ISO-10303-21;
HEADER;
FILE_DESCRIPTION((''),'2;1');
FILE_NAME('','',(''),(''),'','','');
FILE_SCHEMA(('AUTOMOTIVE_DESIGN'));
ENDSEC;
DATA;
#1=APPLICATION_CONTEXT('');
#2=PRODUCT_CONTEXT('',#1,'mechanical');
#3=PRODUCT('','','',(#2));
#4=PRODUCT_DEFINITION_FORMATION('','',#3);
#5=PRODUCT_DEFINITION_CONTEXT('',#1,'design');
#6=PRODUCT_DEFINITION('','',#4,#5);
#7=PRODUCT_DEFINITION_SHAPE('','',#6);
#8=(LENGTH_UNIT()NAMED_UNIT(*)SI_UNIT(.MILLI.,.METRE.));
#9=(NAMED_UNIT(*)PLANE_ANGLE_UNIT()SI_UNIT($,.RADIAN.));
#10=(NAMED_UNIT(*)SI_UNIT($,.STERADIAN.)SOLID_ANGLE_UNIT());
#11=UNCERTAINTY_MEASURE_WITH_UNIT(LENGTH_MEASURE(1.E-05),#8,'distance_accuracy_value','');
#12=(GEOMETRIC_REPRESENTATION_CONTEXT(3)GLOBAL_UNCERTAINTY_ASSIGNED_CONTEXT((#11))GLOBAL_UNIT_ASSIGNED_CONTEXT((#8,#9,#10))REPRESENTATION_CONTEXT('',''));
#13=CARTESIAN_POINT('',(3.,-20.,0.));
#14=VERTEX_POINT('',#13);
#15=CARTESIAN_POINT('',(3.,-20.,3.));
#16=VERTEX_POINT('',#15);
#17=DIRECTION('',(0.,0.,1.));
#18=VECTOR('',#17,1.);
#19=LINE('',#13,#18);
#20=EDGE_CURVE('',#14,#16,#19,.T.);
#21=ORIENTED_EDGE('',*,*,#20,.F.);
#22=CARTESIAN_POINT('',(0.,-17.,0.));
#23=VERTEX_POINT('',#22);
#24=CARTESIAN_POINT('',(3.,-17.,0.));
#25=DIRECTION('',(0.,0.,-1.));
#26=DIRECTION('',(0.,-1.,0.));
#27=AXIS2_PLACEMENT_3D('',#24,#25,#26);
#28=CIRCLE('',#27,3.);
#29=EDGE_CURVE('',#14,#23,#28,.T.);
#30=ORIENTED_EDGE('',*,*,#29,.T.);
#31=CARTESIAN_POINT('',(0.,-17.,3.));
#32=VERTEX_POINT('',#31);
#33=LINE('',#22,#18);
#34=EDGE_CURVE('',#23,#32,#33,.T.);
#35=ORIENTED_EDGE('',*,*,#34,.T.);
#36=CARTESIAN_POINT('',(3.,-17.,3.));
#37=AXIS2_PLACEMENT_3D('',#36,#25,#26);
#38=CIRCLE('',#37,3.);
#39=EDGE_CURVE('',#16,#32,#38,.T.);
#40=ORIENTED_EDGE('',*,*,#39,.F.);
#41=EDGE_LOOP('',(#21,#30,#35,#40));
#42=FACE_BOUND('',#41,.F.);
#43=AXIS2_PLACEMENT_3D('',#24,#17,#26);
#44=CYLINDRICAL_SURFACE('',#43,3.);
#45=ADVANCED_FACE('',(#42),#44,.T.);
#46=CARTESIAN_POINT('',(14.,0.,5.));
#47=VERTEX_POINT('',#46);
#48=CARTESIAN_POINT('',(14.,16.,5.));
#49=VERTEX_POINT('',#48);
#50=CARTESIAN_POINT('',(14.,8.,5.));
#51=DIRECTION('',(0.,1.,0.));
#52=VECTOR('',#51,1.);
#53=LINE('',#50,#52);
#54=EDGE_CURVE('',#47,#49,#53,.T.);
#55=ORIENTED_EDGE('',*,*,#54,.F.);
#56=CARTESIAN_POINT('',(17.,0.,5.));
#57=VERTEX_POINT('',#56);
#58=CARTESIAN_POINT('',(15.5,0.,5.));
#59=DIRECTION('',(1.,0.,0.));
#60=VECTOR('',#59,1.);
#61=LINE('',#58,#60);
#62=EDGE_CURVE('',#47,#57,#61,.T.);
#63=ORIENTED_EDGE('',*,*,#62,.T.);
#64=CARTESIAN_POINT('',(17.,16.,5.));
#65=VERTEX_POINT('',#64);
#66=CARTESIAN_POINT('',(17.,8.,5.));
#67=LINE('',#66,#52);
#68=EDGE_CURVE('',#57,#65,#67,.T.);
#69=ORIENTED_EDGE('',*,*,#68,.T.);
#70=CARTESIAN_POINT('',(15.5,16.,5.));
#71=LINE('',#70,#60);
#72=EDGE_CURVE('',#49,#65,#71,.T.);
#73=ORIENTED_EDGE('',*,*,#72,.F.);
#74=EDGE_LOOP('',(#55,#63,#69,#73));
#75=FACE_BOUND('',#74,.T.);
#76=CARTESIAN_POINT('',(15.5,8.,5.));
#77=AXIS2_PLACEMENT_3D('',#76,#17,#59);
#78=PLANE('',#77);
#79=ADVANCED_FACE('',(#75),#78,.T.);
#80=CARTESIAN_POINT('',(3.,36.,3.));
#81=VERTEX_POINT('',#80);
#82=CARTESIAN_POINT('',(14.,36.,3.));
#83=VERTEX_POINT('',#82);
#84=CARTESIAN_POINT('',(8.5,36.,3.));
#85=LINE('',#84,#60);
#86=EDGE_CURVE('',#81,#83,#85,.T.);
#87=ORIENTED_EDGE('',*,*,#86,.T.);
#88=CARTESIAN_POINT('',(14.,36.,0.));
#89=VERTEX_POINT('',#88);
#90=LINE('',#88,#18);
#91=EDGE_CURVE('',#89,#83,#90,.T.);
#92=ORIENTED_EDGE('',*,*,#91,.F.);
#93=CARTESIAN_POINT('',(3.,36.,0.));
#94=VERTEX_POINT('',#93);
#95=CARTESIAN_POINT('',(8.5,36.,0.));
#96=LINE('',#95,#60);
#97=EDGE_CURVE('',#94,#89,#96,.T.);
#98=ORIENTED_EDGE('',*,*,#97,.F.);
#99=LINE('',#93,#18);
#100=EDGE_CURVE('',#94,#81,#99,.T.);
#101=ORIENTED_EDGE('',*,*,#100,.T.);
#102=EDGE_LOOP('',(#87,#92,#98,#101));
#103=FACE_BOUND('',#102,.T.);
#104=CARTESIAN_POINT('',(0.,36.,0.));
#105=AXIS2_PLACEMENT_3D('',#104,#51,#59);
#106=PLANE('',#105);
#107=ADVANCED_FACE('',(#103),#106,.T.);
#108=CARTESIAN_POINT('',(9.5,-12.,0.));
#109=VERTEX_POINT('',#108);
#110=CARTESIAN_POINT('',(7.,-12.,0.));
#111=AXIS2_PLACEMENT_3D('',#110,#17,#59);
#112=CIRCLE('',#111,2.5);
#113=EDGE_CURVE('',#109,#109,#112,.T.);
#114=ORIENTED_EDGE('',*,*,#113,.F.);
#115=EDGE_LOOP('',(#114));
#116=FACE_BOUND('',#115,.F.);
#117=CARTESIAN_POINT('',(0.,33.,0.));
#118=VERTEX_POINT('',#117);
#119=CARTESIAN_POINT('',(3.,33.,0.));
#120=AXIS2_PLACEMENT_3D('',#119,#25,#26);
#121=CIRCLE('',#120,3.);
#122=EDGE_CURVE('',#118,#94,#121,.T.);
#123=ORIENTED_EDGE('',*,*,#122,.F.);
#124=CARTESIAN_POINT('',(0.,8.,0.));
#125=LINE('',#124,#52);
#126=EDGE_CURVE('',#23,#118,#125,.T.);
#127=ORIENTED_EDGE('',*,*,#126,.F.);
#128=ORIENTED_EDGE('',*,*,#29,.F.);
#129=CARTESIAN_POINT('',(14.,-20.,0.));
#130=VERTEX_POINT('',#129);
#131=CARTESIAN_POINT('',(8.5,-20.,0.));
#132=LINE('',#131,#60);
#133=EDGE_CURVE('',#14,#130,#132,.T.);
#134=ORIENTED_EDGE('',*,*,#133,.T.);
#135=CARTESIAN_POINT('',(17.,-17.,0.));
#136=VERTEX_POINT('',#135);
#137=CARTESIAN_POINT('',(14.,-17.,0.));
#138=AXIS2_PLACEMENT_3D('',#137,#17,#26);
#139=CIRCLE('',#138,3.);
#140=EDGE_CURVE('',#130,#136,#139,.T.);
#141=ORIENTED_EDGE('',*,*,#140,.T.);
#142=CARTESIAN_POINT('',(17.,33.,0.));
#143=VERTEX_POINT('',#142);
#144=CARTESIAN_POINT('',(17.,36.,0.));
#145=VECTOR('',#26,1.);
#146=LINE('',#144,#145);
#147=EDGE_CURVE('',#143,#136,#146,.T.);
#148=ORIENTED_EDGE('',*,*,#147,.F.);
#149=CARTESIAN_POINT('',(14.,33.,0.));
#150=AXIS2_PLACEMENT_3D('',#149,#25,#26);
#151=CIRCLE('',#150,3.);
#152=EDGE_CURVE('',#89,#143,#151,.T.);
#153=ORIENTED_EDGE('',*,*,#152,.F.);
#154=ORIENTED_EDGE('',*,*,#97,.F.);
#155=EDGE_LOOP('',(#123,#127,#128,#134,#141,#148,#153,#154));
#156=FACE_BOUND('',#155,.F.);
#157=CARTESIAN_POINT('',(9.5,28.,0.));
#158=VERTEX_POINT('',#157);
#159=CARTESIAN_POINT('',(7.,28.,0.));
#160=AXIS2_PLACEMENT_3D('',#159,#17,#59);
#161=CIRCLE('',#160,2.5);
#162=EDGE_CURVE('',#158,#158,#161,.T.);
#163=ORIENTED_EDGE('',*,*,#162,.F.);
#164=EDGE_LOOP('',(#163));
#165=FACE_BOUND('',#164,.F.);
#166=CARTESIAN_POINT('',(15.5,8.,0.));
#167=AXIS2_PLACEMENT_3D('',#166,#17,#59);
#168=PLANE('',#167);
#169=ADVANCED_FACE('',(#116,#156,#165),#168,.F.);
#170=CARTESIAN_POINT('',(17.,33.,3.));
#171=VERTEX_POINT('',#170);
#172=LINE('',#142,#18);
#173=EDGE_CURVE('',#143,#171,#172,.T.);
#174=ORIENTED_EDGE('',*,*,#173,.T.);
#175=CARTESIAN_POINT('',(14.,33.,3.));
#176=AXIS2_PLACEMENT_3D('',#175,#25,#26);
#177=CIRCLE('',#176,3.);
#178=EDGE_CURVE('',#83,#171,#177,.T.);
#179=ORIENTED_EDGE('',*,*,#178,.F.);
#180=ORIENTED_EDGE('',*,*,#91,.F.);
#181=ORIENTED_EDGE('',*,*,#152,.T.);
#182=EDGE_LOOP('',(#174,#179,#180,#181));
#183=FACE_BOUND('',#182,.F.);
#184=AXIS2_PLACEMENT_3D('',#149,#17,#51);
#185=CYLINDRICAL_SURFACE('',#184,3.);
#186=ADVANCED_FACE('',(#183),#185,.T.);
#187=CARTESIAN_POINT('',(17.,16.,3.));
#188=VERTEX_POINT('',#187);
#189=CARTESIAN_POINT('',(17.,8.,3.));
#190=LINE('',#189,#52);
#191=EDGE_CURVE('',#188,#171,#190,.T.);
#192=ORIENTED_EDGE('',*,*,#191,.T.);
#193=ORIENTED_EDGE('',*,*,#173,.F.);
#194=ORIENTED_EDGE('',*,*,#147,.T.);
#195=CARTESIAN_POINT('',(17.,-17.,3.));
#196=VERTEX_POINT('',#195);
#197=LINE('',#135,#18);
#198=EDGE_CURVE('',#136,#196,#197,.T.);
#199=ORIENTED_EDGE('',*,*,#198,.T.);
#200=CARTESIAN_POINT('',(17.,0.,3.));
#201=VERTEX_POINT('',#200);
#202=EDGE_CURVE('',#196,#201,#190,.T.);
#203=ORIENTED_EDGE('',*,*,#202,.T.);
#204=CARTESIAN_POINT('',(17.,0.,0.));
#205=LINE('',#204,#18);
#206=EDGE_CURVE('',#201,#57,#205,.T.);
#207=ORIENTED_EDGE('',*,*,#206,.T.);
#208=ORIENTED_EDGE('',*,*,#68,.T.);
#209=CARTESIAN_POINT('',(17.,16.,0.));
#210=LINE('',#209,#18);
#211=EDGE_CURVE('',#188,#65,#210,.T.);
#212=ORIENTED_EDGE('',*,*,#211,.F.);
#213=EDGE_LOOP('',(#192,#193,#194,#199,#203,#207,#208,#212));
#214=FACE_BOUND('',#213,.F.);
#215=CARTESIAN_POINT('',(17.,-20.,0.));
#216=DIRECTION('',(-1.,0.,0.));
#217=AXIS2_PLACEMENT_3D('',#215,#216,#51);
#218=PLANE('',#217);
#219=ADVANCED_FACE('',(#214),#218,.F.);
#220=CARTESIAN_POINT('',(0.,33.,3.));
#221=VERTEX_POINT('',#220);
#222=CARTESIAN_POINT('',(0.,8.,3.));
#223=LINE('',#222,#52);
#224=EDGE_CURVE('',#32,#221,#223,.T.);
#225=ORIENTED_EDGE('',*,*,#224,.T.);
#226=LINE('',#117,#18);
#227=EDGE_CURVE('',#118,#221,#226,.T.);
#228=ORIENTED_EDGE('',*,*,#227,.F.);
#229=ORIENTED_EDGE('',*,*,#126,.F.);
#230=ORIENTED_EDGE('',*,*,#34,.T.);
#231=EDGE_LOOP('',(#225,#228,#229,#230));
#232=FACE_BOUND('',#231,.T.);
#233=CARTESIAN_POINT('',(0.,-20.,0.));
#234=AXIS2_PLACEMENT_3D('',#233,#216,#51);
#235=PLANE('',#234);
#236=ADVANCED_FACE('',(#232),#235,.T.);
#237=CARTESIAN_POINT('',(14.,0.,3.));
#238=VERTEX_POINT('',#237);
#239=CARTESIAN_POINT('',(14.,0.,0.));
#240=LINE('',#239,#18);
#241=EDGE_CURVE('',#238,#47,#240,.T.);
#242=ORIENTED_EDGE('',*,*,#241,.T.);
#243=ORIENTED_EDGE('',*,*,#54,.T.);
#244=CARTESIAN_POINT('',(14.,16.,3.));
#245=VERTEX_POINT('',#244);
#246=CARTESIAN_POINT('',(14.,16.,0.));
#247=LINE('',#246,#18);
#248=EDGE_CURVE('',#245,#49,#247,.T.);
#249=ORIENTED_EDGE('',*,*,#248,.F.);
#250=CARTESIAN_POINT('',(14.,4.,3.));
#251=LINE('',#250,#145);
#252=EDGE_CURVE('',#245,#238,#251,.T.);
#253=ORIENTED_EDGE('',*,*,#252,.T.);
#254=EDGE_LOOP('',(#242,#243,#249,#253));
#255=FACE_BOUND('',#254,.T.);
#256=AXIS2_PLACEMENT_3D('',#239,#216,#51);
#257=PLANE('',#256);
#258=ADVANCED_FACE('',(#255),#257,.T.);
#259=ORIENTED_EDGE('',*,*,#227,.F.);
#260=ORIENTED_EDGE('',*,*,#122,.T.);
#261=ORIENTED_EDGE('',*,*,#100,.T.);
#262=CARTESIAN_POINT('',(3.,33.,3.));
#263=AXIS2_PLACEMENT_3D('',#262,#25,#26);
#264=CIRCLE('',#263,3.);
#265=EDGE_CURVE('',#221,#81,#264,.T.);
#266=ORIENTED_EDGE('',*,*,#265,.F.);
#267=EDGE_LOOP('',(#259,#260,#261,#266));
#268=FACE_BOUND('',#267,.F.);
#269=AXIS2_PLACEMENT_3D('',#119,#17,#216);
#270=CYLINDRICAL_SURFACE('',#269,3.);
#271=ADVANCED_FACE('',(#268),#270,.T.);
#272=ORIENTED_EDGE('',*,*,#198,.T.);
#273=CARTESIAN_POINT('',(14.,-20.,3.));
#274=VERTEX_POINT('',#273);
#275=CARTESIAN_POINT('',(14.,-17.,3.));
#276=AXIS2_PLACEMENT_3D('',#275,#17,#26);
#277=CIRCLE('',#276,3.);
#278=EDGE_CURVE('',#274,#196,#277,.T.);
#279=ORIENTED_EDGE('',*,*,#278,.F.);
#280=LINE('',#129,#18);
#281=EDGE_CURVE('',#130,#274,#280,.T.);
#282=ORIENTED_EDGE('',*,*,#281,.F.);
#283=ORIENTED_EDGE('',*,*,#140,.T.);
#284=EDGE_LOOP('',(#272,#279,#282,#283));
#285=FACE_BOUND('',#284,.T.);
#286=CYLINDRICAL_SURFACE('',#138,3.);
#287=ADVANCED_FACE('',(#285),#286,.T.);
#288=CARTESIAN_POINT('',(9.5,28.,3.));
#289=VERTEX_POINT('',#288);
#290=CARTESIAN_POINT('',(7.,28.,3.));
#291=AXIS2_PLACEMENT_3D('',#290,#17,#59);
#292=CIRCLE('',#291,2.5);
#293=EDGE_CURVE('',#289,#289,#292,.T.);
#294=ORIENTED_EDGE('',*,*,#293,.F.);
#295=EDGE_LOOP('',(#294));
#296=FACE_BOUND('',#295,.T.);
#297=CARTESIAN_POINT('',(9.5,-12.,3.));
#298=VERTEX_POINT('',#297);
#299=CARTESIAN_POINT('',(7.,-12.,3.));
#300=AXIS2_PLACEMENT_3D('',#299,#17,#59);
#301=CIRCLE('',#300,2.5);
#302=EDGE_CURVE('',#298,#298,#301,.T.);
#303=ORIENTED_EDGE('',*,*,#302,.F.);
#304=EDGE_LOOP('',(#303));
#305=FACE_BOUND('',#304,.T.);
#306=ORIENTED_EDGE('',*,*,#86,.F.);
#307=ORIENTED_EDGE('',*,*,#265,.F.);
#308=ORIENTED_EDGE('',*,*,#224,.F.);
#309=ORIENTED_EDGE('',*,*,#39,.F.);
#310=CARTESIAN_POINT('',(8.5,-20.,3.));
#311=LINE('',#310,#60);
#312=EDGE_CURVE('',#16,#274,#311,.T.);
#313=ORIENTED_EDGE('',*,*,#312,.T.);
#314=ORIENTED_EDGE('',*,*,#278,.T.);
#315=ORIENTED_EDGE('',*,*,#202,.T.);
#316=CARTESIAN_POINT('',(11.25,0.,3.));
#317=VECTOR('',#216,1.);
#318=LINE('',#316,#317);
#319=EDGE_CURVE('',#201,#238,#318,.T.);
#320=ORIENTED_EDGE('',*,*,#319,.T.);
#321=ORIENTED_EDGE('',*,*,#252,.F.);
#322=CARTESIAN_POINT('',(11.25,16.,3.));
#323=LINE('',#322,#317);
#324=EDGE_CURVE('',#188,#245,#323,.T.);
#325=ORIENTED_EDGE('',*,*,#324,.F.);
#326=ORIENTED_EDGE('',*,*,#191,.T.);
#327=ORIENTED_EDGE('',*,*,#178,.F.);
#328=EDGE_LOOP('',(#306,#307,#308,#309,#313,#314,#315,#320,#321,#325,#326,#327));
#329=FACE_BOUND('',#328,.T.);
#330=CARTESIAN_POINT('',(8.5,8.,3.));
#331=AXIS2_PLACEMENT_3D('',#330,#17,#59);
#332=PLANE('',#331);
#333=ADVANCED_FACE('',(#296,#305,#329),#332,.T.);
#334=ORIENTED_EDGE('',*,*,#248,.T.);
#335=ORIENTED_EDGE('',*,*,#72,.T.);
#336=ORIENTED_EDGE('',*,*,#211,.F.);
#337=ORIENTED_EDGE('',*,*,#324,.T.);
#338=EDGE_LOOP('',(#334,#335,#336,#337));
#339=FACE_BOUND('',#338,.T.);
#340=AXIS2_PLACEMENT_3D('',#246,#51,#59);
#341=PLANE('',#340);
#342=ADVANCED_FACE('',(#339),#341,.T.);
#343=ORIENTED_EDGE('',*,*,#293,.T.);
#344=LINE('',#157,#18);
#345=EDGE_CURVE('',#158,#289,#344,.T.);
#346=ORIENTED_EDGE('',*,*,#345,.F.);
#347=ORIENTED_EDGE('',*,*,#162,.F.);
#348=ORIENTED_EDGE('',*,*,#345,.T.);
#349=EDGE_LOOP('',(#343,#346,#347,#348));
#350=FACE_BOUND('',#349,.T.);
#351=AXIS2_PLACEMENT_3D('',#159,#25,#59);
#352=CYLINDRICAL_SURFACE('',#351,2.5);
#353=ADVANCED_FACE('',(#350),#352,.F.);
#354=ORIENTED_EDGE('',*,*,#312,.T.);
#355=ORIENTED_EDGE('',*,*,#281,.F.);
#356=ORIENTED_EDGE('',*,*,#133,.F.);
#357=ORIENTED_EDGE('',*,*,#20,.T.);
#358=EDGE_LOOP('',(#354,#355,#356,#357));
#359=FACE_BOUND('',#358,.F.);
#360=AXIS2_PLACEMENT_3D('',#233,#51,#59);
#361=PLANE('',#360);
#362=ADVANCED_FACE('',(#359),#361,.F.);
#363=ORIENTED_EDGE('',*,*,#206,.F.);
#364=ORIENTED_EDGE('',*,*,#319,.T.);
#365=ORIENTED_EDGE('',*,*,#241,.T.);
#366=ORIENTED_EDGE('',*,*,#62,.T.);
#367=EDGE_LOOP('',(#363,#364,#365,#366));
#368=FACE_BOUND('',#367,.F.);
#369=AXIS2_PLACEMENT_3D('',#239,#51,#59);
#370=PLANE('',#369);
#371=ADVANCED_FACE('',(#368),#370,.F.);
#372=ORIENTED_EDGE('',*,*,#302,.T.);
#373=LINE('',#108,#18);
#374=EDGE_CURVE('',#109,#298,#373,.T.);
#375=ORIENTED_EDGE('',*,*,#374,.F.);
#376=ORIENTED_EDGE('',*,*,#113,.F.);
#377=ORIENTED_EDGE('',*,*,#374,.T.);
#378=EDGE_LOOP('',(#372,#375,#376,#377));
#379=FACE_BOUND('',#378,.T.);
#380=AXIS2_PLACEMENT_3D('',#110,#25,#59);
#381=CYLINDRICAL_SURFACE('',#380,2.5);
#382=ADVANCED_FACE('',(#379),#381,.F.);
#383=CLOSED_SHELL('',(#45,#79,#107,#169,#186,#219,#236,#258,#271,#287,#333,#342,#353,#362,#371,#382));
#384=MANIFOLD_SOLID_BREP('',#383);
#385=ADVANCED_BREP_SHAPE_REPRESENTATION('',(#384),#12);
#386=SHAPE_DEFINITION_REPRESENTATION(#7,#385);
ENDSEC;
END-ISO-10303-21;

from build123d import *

# Parameters (mm, degrees)
SKETCH_W     = 17
SKETCH_H     = 56
SKETCH_R     = 2.5
PAD_DEPTH    = 3
SKETCH001_W  = 3
SKETCH001_H  = 16
PAD001_DEPTH = 5
FILLET_R     = 3


with BuildPart() as part:
    # Sketch → Pad (new body)
    with BuildSketch(Plane.XY):
        with Locations((8.5, 8)):
            Rectangle(SKETCH_W, SKETCH_H)
        with Locations((7, 28)):
            Circle(SKETCH_R, mode=Mode.SUBTRACT)
        with Locations((7, -12)):
            Circle(SKETCH_R, mode=Mode.SUBTRACT)
    extrude(amount=PAD_DEPTH)

    # Sketch001 → Pad001 (join)
    with BuildSketch(Plane.XY):
        with Locations((15.5, 8)):
            Rectangle(SKETCH001_W, SKETCH001_H)
    extrude(amount=PAD001_DEPTH)

    # Fillet
    fillet_edges = [part.edges().sort_by_distance(p)[0] for p in [
        (17, -20, 1.5),
        (0, -20, 1.5),
        (17, 36, 1.5),
        (0, 36, 1.5),
    ]]
    fillet(fillet_edges, radius=FILLET_R)


solid = part.part
